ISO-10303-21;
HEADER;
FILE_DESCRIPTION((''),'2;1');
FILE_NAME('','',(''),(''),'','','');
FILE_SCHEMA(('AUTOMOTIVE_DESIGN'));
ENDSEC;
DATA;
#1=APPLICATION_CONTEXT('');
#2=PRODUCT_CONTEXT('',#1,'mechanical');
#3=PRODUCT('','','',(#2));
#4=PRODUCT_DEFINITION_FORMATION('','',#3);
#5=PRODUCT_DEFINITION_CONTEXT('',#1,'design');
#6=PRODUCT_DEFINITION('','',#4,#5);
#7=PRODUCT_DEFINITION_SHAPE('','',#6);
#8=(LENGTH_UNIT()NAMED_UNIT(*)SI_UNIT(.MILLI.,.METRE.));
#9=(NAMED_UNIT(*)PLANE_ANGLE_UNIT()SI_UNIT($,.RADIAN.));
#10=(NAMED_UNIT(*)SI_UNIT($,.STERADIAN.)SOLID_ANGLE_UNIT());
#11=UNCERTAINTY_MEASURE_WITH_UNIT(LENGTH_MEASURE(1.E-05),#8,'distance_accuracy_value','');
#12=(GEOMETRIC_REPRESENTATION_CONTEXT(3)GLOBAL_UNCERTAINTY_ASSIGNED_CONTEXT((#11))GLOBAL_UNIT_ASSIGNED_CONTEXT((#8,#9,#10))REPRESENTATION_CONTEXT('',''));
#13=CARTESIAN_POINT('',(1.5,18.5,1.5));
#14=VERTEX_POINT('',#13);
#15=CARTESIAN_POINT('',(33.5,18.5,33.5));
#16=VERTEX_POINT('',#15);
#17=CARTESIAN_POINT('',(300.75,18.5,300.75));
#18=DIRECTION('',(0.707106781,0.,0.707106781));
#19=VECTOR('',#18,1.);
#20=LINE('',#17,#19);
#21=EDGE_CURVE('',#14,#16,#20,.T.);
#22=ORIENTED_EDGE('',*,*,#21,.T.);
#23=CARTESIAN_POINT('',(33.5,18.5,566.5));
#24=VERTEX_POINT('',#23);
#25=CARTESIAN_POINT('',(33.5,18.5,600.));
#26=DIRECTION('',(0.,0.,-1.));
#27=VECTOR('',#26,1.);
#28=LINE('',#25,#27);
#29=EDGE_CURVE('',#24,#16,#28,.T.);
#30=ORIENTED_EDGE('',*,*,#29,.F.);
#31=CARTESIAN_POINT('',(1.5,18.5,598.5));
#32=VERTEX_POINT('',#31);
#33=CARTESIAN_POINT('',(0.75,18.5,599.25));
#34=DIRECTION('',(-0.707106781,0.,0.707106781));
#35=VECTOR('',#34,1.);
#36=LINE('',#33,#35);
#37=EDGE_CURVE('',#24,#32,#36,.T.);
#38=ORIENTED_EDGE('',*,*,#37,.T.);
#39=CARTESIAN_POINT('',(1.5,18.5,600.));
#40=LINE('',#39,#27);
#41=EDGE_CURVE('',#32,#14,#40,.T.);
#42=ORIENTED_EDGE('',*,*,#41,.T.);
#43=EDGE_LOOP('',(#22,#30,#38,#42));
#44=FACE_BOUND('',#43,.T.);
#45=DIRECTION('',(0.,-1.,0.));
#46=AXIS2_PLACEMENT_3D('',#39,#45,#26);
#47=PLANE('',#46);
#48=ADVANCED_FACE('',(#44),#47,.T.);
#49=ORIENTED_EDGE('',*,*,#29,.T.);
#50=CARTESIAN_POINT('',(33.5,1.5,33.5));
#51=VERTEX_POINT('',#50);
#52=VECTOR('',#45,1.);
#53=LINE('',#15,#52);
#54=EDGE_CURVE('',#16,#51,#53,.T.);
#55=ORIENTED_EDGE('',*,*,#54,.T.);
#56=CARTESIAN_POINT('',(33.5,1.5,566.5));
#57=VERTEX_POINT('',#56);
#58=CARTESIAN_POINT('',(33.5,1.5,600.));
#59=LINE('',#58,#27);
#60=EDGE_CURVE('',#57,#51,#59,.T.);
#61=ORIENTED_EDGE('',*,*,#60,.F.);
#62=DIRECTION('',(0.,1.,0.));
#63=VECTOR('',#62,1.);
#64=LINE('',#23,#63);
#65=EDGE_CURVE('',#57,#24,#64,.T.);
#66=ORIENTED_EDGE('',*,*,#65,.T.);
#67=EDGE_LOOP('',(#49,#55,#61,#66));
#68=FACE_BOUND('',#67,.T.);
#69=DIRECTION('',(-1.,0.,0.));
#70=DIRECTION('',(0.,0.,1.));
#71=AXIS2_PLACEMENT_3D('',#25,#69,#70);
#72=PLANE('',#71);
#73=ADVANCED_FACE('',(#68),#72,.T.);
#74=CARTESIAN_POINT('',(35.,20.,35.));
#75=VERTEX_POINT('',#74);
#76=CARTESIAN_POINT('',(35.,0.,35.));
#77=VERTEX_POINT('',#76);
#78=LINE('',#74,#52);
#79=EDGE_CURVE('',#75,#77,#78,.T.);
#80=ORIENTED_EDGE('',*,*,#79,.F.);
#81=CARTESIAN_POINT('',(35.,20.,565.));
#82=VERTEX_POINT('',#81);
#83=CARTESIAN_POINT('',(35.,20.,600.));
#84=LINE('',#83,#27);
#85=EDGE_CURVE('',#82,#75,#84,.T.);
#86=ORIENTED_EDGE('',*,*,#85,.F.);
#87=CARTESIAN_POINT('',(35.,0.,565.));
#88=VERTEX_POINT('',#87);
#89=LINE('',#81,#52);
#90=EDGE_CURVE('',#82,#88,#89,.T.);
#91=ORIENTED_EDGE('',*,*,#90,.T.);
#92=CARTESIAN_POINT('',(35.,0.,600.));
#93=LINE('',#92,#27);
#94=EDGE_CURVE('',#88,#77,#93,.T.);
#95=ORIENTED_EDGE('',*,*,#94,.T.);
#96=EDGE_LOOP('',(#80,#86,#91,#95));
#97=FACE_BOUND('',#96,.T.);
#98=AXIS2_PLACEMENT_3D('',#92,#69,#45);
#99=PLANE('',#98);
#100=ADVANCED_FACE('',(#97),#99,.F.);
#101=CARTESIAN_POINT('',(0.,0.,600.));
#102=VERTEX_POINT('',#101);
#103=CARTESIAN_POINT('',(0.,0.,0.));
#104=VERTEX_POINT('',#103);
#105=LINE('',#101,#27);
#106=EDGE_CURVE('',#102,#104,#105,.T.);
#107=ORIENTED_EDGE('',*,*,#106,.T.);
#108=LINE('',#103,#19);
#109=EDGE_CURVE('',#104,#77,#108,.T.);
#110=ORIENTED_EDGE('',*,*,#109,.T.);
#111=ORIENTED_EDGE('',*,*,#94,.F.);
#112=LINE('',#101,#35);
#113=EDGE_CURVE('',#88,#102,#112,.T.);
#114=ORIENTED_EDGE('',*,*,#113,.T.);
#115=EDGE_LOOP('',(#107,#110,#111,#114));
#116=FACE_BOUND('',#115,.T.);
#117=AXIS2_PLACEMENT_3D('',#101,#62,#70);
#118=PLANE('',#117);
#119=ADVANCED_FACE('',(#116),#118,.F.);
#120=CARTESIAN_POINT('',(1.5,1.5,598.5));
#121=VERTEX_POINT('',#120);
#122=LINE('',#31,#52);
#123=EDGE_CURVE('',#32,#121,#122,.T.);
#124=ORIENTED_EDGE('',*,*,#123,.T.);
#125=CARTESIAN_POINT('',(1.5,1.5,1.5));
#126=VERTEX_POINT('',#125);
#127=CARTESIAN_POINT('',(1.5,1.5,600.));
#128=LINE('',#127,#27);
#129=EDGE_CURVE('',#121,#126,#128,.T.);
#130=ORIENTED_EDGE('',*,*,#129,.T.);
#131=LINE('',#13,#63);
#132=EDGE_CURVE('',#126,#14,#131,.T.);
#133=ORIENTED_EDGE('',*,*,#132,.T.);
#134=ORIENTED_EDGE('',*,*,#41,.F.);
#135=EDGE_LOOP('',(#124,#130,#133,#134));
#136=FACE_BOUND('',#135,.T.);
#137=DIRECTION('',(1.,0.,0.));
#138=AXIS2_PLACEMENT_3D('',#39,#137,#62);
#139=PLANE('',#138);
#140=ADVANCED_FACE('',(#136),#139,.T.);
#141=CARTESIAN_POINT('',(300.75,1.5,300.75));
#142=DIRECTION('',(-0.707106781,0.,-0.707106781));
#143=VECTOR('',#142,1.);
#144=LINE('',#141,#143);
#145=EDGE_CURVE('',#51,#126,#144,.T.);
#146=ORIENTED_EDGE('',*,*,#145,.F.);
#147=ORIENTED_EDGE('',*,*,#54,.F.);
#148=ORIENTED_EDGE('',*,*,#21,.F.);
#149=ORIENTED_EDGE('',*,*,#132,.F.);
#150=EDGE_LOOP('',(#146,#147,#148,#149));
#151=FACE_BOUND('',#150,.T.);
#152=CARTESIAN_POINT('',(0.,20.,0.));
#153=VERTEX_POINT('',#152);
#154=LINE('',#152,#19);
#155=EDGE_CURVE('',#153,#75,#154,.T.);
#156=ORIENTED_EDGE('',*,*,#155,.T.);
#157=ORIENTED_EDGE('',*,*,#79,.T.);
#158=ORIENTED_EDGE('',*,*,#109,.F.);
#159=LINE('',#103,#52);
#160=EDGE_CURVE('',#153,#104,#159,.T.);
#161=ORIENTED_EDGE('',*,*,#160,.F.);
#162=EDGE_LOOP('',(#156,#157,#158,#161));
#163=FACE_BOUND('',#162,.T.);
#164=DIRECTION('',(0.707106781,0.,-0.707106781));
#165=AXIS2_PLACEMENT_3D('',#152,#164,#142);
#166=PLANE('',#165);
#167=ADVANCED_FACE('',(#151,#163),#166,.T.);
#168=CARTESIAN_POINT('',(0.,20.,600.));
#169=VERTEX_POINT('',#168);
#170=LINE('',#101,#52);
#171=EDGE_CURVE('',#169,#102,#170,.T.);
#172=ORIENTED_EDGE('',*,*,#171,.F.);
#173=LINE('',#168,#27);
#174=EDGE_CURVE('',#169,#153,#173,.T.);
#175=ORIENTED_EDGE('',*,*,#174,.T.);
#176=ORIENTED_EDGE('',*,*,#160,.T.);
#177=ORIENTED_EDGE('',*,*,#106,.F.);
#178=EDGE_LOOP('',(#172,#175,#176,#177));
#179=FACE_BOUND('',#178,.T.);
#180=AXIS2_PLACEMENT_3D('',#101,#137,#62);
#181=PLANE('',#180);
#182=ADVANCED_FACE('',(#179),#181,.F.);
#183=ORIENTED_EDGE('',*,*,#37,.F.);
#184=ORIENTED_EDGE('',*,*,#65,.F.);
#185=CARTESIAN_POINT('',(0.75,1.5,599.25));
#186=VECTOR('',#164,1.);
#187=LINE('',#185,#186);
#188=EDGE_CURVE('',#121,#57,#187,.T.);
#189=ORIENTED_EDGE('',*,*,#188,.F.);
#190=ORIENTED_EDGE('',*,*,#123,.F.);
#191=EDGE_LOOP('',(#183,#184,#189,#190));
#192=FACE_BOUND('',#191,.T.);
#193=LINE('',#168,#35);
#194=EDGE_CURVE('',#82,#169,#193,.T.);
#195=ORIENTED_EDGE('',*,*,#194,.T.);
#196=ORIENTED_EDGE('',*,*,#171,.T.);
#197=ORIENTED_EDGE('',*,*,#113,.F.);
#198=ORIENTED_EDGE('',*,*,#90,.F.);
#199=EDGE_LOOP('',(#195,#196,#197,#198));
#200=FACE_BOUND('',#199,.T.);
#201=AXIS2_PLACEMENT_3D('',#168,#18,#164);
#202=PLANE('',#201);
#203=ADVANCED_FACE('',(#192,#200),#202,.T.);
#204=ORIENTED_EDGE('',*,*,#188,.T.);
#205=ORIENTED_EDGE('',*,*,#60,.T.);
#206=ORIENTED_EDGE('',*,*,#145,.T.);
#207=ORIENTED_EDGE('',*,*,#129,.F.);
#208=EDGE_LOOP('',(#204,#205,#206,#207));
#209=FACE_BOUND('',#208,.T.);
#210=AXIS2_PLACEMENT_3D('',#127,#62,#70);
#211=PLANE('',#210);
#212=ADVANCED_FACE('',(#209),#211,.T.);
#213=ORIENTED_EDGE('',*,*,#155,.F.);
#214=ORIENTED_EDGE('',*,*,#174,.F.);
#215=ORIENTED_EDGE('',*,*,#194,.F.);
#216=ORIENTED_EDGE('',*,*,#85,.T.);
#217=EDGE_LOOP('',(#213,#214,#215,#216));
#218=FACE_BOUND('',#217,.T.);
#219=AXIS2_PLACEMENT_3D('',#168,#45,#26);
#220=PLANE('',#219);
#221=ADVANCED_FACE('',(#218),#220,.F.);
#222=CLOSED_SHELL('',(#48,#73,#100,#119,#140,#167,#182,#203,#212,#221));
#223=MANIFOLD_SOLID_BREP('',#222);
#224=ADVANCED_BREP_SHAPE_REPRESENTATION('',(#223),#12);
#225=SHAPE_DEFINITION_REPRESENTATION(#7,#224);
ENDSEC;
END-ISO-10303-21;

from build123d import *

# Parameters (mm, degrees)
ESQUISSE1_W             = 35
ESQUISSE1_H             = 20
ESQUISSE1_W_2           = 32
ESQUISSE1_H_2           = 17
BOSS_EXTRU_1_DEPTH      = 600
ENL_V_MAT_EXTRU_1_DEPTH = 602.352641966
ENL_V_MAT_EXTRU_3_DEPTH = 602.352641966


with BuildPart() as part:
    # Esquisse1 → Boss.-Extru.1 (new body)
    with BuildSketch(Plane.XY):
        with Locations((17.5, 10)):
            Rectangle(ESQUISSE1_W, ESQUISSE1_H)
        with Locations((17.5, 10)):
            Rectangle(ESQUISSE1_W_2, ESQUISSE1_H_2, mode=Mode.SUBTRACT)
    extrude(amount=BOSS_EXTRU_1_DEPTH)

    # Esquisse2 → Enlèv. mat.-Extru.1 (cut, through all)
    with BuildSketch(Plane(origin=(0, 0, 0), x_dir=(1, 0, 0), z_dir=(0, 1, 0))):
        Polygon((0, -600), (35, -565), (35, -600), align=None)
    extrude(amount=ENL_V_MAT_EXTRU_1_DEPTH, mode=Mode.SUBTRACT)

    # Esquisse4 → Enlèv. mat.-Extru.3 (cut, through all)
    with BuildSketch(Plane(origin=(0, 0, 0), x_dir=(1, 0, 0), z_dir=(0, 1, 0))):
        Polygon((0, 0), (35, -35), (35, 0), align=None)
    extrude(amount=ENL_V_MAT_EXTRU_3_DEPTH, mode=Mode.SUBTRACT)


solid = part.part
